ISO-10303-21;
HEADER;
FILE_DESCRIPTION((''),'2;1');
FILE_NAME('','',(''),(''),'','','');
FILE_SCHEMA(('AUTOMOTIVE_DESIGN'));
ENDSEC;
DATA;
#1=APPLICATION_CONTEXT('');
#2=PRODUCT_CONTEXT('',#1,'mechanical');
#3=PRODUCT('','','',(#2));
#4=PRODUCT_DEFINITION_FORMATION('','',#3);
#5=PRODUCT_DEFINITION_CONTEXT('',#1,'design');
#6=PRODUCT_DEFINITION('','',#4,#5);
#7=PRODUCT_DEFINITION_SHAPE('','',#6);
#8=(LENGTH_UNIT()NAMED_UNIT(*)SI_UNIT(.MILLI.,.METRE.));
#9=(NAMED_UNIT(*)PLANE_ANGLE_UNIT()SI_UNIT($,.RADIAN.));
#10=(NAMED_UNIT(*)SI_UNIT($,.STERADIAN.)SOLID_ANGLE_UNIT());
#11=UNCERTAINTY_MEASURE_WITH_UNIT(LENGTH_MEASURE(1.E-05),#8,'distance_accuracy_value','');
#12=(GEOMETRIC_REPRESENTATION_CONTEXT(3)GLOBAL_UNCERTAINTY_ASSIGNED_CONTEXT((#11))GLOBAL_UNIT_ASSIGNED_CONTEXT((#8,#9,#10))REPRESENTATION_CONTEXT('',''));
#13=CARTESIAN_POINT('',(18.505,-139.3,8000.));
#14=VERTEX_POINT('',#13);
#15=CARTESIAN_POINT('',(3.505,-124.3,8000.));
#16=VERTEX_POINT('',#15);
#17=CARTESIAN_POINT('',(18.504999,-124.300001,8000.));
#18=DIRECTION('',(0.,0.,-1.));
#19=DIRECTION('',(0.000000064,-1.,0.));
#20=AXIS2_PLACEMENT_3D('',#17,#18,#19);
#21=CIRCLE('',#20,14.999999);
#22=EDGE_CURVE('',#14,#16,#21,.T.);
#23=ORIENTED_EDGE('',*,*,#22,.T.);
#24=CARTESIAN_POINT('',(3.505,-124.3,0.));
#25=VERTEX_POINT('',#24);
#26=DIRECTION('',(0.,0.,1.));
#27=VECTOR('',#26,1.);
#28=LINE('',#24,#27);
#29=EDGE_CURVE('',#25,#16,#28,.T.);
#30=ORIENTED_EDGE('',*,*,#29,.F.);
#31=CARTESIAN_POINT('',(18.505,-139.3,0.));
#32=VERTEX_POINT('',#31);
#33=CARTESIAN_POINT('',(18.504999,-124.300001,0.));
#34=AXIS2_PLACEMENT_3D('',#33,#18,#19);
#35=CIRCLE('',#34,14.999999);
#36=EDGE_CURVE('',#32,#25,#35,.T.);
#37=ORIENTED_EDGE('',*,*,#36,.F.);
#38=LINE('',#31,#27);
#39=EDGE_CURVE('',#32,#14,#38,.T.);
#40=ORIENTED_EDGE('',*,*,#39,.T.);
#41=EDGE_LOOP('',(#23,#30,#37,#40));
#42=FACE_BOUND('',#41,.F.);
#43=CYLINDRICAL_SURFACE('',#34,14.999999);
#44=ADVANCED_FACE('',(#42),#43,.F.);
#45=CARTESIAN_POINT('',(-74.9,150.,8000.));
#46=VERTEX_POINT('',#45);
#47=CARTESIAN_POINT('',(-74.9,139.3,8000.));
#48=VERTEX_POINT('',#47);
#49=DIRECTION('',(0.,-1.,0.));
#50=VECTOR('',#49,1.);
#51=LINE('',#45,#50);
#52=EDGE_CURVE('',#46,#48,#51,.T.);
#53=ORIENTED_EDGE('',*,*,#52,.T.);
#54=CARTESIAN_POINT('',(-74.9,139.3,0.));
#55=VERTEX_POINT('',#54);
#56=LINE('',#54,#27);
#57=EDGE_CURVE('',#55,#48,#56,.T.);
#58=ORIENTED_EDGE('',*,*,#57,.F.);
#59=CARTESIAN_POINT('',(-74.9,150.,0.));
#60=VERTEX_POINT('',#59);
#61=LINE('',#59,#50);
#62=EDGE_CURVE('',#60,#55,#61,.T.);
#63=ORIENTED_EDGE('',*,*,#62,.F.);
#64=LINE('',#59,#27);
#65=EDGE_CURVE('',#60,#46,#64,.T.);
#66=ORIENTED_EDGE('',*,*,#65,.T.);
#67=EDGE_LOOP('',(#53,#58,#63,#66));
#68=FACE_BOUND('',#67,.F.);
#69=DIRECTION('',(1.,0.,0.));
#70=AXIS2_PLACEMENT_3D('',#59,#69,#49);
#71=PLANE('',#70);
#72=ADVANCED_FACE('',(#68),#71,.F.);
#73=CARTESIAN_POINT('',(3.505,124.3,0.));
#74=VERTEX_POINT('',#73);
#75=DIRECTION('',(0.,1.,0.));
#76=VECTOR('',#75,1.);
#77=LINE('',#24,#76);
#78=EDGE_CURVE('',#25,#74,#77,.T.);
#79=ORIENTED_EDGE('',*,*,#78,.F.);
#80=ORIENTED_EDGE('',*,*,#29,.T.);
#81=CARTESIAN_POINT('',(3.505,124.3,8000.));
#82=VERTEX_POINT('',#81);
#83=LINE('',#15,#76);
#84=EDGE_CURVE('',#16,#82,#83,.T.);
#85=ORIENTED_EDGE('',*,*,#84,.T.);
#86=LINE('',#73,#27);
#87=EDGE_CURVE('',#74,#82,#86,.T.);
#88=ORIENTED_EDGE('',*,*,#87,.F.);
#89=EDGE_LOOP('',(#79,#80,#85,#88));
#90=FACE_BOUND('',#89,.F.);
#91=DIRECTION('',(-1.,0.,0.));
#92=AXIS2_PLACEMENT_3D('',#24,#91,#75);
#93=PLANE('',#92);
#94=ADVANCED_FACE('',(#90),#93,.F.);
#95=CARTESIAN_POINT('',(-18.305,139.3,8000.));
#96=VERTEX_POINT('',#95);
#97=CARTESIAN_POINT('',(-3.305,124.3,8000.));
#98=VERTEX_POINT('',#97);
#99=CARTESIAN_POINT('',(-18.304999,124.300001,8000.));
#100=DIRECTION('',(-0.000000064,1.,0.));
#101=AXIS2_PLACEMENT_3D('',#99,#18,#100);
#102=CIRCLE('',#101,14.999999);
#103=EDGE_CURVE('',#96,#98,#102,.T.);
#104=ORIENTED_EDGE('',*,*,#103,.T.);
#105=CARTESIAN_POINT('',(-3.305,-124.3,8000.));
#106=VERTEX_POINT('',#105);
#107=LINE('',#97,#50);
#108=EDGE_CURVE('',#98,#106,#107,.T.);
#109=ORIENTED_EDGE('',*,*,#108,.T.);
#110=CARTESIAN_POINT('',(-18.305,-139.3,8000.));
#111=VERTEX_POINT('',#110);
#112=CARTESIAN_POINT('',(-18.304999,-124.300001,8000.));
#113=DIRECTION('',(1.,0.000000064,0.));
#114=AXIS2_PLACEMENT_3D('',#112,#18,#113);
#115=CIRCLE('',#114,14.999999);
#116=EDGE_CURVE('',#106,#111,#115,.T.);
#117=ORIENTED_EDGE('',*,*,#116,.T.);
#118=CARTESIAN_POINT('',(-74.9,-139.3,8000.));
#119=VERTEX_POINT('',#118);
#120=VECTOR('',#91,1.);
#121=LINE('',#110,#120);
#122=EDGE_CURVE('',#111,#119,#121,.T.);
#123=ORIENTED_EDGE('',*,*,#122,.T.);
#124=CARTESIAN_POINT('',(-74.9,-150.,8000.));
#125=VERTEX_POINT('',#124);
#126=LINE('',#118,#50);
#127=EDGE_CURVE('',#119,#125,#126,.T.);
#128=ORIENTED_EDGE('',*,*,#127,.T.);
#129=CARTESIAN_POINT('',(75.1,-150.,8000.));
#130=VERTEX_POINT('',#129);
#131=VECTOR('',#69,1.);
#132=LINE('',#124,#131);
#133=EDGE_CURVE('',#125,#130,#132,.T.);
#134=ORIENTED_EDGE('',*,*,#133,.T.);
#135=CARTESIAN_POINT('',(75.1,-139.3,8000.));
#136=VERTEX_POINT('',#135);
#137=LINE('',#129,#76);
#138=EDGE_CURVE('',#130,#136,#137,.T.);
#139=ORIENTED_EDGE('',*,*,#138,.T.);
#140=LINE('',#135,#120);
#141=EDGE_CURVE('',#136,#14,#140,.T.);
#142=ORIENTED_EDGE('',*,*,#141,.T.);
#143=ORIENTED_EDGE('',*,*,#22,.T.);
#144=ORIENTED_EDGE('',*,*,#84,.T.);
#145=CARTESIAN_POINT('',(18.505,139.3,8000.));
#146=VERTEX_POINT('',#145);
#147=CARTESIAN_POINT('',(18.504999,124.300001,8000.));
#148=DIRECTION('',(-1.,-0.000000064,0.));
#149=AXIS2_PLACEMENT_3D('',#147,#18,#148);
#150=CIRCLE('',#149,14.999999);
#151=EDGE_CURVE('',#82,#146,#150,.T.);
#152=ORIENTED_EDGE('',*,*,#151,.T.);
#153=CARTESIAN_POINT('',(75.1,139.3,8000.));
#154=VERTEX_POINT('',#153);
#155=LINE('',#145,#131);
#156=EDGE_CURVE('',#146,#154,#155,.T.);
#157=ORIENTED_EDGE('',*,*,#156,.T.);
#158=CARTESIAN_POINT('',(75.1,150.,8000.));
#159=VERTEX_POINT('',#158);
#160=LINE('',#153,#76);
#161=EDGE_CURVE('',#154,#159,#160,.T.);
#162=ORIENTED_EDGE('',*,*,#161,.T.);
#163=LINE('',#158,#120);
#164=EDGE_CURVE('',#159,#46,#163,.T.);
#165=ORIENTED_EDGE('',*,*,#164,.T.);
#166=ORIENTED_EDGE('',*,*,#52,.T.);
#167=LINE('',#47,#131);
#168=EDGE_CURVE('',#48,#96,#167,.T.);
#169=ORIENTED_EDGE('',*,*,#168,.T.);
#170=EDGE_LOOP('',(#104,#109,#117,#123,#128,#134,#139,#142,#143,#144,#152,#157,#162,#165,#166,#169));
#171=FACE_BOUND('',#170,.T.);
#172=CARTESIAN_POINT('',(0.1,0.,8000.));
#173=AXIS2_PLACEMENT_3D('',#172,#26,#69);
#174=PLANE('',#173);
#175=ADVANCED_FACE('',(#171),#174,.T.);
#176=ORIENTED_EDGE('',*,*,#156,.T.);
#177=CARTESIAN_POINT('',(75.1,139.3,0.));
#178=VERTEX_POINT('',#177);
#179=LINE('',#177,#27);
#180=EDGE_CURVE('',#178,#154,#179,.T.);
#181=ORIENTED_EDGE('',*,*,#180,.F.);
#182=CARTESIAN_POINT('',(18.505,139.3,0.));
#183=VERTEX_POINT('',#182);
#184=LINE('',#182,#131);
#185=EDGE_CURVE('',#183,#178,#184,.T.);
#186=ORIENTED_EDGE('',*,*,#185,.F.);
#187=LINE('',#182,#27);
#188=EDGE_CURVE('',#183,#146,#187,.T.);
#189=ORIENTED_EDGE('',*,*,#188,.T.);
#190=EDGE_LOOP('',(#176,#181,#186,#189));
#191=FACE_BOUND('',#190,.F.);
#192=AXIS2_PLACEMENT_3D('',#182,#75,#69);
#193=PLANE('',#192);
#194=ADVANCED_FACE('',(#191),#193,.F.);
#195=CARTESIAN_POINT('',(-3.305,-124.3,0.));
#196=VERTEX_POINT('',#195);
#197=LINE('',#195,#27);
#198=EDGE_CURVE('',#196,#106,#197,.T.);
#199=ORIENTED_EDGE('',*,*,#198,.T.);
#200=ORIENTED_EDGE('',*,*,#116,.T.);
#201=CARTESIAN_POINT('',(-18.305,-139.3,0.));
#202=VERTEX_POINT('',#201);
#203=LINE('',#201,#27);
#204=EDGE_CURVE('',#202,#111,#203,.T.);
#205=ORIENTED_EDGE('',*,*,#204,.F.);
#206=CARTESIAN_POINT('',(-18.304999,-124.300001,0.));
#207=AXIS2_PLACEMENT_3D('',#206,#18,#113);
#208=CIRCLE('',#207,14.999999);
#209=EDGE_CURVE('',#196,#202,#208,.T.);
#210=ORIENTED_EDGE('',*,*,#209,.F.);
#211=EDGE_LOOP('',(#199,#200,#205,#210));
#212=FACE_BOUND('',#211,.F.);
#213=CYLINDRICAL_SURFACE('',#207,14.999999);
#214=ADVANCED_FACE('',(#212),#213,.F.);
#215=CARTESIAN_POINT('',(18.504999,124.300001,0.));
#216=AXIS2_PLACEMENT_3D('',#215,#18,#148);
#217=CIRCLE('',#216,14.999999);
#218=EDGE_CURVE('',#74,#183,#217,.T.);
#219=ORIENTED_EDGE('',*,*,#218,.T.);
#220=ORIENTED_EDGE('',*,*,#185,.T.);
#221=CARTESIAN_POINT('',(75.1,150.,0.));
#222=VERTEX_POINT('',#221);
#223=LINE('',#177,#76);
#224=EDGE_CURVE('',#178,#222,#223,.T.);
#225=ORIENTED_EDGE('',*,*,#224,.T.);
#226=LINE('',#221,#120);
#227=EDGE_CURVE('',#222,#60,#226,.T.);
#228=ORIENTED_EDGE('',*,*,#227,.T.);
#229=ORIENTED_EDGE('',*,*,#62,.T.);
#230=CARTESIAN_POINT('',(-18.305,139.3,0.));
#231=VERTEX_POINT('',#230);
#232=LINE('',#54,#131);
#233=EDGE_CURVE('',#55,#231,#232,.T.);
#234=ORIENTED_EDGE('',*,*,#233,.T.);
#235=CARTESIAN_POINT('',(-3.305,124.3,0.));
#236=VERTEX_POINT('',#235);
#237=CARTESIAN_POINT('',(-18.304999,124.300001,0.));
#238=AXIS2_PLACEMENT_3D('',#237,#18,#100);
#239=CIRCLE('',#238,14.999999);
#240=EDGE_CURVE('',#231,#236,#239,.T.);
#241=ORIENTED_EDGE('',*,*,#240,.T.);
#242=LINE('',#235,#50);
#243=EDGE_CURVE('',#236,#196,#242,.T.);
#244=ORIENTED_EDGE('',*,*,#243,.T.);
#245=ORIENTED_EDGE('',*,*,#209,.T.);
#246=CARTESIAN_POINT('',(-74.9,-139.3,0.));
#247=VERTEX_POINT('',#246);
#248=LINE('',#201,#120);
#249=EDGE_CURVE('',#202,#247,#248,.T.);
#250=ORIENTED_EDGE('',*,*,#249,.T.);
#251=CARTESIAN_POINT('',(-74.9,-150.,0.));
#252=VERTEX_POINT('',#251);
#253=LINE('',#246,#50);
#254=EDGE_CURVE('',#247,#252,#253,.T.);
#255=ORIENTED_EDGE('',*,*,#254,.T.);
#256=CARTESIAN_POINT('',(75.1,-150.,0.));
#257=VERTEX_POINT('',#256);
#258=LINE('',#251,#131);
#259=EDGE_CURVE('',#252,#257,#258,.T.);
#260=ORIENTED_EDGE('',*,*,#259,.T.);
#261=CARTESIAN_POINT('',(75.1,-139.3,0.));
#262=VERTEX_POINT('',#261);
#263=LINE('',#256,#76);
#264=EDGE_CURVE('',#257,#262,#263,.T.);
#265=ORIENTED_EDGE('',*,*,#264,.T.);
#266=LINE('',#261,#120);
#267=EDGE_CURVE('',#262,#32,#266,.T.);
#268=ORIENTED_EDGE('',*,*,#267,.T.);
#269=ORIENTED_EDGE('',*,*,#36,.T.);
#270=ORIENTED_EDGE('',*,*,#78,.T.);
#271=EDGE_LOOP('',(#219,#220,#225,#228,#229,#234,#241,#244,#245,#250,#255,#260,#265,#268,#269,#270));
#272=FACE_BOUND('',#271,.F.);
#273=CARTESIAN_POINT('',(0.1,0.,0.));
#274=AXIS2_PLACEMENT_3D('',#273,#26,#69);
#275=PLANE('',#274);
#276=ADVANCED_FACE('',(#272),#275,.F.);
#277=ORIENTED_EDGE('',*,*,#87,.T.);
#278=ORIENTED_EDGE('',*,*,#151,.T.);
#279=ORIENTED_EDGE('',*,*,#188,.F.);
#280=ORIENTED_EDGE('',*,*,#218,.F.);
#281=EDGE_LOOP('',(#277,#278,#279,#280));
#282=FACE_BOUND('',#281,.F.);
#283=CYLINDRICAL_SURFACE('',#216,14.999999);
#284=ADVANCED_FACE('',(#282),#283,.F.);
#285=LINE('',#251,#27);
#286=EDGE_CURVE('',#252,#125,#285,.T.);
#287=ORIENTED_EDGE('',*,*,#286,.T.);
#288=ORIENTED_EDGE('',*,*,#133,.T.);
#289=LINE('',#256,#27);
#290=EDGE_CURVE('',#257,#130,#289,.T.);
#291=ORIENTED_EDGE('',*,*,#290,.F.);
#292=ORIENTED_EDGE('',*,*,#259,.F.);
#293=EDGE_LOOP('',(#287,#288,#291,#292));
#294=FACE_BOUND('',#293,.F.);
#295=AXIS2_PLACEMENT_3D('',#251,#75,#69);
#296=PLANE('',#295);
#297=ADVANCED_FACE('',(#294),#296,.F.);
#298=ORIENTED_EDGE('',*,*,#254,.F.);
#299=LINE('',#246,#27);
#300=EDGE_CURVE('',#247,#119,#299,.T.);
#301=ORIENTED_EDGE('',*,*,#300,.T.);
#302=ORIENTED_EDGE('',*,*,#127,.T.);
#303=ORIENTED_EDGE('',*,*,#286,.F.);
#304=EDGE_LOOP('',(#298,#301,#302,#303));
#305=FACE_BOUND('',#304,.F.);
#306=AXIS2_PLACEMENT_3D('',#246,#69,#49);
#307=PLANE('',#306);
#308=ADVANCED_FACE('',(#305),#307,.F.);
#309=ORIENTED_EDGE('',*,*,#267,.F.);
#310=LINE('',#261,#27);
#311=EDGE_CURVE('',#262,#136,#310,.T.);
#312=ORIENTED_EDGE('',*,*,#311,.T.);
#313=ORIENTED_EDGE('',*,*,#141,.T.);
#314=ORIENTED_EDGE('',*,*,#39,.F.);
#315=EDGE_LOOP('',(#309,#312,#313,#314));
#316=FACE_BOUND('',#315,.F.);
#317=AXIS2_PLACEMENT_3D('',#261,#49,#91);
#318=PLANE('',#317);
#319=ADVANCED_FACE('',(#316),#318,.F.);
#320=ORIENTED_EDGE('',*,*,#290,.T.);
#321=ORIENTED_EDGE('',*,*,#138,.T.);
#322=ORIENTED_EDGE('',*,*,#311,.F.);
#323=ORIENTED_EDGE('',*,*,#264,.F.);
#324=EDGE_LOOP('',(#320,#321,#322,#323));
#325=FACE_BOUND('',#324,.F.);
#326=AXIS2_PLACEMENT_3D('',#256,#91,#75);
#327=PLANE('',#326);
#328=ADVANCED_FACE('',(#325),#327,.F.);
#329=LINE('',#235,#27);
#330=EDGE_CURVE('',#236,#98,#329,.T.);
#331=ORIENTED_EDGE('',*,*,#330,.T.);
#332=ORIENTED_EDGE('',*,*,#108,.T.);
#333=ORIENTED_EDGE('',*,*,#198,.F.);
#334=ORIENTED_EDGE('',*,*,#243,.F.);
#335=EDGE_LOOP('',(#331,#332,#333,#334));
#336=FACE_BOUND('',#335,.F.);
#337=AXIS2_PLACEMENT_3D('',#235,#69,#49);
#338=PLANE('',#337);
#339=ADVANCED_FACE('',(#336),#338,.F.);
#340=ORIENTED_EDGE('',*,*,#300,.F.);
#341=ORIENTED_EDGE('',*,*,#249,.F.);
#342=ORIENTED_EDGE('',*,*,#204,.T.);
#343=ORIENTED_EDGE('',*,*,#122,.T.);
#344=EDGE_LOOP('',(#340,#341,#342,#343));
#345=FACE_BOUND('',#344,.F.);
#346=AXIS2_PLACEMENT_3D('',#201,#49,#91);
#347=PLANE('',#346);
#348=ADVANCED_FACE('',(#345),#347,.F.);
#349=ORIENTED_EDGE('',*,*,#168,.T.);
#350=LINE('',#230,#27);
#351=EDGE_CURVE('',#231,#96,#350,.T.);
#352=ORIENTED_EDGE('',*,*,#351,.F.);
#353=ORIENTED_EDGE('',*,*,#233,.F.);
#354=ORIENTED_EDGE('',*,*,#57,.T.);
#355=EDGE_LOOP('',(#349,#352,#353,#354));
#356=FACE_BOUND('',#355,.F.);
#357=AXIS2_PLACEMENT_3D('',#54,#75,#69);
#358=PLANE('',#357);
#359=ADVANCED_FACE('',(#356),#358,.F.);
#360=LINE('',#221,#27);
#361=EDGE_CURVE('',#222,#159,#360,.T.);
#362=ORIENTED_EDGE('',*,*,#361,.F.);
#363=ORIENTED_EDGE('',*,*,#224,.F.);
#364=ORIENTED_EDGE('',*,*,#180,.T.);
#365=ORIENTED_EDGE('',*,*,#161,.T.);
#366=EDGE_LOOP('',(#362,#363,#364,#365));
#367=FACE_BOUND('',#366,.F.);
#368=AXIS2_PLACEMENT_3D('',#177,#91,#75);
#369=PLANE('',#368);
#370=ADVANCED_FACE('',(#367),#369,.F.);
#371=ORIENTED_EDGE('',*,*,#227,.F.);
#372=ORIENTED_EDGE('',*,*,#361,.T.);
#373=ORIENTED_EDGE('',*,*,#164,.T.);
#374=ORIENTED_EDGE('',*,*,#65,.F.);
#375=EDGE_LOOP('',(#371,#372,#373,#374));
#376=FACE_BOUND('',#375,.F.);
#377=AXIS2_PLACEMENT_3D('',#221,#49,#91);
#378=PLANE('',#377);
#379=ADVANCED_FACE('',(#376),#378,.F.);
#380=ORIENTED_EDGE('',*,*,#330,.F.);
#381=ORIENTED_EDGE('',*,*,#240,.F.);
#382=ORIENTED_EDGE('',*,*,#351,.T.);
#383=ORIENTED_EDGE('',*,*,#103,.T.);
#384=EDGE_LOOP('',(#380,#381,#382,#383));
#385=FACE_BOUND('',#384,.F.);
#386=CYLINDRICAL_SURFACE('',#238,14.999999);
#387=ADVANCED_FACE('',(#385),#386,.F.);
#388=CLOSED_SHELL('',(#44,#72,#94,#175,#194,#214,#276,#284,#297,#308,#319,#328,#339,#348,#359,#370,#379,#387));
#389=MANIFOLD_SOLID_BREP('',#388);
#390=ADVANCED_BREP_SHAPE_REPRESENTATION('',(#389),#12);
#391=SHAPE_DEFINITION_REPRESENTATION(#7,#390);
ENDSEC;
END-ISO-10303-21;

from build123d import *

# Parameters (mm, degrees)
F1_DEPTH = 8000


with BuildPart() as f1:
    # F0 (on Top) → F1 (new body)
    with BuildSketch(Plane.XY):
        with BuildLine():
            Line((3.505, -124.3), (3.505, 0))
            Line((3.505, 0), (3.505, 124.3))
            ThreePointArc((3.505, 124.3), (7.898398, 134.906602), (18.505, 139.3))
            Line((18.505, 139.3), (75.1, 139.3))
            Line((75.1, 139.3), (75.1, 150))
            Line((75.1, 150), (-74.9, 150))
            Line((-74.9, 150), (-74.9, 139.3))
            Line((-74.9, 139.3), (-18.305, 139.3))
            ThreePointArc((-18.305, 139.3), (-7.698398, 134.906602), (-3.305, 124.3))
            Line((-3.305, 124.3), (-3.305, 0))
            Line((-3.305, 0), (-3.305, -124.3))
            ThreePointArc((-3.305, -124.3), (-7.698398, -134.906602), (-18.305, -139.3))
            Line((-18.305, -139.3), (-74.9, -139.3))
            Line((-74.9, -139.3), (-74.9, -150))
            Line((-74.9, -150), (75.1, -150))
            Line((75.1, -150), (75.1, -139.3))
            Line((75.1, -139.3), (18.505, -139.3))
            ThreePointArc((18.505, -139.3), (7.898398, -134.906602), (3.505, -124.3))
        make_face()
    extrude(amount=F1_DEPTH)


solid = f1.part
